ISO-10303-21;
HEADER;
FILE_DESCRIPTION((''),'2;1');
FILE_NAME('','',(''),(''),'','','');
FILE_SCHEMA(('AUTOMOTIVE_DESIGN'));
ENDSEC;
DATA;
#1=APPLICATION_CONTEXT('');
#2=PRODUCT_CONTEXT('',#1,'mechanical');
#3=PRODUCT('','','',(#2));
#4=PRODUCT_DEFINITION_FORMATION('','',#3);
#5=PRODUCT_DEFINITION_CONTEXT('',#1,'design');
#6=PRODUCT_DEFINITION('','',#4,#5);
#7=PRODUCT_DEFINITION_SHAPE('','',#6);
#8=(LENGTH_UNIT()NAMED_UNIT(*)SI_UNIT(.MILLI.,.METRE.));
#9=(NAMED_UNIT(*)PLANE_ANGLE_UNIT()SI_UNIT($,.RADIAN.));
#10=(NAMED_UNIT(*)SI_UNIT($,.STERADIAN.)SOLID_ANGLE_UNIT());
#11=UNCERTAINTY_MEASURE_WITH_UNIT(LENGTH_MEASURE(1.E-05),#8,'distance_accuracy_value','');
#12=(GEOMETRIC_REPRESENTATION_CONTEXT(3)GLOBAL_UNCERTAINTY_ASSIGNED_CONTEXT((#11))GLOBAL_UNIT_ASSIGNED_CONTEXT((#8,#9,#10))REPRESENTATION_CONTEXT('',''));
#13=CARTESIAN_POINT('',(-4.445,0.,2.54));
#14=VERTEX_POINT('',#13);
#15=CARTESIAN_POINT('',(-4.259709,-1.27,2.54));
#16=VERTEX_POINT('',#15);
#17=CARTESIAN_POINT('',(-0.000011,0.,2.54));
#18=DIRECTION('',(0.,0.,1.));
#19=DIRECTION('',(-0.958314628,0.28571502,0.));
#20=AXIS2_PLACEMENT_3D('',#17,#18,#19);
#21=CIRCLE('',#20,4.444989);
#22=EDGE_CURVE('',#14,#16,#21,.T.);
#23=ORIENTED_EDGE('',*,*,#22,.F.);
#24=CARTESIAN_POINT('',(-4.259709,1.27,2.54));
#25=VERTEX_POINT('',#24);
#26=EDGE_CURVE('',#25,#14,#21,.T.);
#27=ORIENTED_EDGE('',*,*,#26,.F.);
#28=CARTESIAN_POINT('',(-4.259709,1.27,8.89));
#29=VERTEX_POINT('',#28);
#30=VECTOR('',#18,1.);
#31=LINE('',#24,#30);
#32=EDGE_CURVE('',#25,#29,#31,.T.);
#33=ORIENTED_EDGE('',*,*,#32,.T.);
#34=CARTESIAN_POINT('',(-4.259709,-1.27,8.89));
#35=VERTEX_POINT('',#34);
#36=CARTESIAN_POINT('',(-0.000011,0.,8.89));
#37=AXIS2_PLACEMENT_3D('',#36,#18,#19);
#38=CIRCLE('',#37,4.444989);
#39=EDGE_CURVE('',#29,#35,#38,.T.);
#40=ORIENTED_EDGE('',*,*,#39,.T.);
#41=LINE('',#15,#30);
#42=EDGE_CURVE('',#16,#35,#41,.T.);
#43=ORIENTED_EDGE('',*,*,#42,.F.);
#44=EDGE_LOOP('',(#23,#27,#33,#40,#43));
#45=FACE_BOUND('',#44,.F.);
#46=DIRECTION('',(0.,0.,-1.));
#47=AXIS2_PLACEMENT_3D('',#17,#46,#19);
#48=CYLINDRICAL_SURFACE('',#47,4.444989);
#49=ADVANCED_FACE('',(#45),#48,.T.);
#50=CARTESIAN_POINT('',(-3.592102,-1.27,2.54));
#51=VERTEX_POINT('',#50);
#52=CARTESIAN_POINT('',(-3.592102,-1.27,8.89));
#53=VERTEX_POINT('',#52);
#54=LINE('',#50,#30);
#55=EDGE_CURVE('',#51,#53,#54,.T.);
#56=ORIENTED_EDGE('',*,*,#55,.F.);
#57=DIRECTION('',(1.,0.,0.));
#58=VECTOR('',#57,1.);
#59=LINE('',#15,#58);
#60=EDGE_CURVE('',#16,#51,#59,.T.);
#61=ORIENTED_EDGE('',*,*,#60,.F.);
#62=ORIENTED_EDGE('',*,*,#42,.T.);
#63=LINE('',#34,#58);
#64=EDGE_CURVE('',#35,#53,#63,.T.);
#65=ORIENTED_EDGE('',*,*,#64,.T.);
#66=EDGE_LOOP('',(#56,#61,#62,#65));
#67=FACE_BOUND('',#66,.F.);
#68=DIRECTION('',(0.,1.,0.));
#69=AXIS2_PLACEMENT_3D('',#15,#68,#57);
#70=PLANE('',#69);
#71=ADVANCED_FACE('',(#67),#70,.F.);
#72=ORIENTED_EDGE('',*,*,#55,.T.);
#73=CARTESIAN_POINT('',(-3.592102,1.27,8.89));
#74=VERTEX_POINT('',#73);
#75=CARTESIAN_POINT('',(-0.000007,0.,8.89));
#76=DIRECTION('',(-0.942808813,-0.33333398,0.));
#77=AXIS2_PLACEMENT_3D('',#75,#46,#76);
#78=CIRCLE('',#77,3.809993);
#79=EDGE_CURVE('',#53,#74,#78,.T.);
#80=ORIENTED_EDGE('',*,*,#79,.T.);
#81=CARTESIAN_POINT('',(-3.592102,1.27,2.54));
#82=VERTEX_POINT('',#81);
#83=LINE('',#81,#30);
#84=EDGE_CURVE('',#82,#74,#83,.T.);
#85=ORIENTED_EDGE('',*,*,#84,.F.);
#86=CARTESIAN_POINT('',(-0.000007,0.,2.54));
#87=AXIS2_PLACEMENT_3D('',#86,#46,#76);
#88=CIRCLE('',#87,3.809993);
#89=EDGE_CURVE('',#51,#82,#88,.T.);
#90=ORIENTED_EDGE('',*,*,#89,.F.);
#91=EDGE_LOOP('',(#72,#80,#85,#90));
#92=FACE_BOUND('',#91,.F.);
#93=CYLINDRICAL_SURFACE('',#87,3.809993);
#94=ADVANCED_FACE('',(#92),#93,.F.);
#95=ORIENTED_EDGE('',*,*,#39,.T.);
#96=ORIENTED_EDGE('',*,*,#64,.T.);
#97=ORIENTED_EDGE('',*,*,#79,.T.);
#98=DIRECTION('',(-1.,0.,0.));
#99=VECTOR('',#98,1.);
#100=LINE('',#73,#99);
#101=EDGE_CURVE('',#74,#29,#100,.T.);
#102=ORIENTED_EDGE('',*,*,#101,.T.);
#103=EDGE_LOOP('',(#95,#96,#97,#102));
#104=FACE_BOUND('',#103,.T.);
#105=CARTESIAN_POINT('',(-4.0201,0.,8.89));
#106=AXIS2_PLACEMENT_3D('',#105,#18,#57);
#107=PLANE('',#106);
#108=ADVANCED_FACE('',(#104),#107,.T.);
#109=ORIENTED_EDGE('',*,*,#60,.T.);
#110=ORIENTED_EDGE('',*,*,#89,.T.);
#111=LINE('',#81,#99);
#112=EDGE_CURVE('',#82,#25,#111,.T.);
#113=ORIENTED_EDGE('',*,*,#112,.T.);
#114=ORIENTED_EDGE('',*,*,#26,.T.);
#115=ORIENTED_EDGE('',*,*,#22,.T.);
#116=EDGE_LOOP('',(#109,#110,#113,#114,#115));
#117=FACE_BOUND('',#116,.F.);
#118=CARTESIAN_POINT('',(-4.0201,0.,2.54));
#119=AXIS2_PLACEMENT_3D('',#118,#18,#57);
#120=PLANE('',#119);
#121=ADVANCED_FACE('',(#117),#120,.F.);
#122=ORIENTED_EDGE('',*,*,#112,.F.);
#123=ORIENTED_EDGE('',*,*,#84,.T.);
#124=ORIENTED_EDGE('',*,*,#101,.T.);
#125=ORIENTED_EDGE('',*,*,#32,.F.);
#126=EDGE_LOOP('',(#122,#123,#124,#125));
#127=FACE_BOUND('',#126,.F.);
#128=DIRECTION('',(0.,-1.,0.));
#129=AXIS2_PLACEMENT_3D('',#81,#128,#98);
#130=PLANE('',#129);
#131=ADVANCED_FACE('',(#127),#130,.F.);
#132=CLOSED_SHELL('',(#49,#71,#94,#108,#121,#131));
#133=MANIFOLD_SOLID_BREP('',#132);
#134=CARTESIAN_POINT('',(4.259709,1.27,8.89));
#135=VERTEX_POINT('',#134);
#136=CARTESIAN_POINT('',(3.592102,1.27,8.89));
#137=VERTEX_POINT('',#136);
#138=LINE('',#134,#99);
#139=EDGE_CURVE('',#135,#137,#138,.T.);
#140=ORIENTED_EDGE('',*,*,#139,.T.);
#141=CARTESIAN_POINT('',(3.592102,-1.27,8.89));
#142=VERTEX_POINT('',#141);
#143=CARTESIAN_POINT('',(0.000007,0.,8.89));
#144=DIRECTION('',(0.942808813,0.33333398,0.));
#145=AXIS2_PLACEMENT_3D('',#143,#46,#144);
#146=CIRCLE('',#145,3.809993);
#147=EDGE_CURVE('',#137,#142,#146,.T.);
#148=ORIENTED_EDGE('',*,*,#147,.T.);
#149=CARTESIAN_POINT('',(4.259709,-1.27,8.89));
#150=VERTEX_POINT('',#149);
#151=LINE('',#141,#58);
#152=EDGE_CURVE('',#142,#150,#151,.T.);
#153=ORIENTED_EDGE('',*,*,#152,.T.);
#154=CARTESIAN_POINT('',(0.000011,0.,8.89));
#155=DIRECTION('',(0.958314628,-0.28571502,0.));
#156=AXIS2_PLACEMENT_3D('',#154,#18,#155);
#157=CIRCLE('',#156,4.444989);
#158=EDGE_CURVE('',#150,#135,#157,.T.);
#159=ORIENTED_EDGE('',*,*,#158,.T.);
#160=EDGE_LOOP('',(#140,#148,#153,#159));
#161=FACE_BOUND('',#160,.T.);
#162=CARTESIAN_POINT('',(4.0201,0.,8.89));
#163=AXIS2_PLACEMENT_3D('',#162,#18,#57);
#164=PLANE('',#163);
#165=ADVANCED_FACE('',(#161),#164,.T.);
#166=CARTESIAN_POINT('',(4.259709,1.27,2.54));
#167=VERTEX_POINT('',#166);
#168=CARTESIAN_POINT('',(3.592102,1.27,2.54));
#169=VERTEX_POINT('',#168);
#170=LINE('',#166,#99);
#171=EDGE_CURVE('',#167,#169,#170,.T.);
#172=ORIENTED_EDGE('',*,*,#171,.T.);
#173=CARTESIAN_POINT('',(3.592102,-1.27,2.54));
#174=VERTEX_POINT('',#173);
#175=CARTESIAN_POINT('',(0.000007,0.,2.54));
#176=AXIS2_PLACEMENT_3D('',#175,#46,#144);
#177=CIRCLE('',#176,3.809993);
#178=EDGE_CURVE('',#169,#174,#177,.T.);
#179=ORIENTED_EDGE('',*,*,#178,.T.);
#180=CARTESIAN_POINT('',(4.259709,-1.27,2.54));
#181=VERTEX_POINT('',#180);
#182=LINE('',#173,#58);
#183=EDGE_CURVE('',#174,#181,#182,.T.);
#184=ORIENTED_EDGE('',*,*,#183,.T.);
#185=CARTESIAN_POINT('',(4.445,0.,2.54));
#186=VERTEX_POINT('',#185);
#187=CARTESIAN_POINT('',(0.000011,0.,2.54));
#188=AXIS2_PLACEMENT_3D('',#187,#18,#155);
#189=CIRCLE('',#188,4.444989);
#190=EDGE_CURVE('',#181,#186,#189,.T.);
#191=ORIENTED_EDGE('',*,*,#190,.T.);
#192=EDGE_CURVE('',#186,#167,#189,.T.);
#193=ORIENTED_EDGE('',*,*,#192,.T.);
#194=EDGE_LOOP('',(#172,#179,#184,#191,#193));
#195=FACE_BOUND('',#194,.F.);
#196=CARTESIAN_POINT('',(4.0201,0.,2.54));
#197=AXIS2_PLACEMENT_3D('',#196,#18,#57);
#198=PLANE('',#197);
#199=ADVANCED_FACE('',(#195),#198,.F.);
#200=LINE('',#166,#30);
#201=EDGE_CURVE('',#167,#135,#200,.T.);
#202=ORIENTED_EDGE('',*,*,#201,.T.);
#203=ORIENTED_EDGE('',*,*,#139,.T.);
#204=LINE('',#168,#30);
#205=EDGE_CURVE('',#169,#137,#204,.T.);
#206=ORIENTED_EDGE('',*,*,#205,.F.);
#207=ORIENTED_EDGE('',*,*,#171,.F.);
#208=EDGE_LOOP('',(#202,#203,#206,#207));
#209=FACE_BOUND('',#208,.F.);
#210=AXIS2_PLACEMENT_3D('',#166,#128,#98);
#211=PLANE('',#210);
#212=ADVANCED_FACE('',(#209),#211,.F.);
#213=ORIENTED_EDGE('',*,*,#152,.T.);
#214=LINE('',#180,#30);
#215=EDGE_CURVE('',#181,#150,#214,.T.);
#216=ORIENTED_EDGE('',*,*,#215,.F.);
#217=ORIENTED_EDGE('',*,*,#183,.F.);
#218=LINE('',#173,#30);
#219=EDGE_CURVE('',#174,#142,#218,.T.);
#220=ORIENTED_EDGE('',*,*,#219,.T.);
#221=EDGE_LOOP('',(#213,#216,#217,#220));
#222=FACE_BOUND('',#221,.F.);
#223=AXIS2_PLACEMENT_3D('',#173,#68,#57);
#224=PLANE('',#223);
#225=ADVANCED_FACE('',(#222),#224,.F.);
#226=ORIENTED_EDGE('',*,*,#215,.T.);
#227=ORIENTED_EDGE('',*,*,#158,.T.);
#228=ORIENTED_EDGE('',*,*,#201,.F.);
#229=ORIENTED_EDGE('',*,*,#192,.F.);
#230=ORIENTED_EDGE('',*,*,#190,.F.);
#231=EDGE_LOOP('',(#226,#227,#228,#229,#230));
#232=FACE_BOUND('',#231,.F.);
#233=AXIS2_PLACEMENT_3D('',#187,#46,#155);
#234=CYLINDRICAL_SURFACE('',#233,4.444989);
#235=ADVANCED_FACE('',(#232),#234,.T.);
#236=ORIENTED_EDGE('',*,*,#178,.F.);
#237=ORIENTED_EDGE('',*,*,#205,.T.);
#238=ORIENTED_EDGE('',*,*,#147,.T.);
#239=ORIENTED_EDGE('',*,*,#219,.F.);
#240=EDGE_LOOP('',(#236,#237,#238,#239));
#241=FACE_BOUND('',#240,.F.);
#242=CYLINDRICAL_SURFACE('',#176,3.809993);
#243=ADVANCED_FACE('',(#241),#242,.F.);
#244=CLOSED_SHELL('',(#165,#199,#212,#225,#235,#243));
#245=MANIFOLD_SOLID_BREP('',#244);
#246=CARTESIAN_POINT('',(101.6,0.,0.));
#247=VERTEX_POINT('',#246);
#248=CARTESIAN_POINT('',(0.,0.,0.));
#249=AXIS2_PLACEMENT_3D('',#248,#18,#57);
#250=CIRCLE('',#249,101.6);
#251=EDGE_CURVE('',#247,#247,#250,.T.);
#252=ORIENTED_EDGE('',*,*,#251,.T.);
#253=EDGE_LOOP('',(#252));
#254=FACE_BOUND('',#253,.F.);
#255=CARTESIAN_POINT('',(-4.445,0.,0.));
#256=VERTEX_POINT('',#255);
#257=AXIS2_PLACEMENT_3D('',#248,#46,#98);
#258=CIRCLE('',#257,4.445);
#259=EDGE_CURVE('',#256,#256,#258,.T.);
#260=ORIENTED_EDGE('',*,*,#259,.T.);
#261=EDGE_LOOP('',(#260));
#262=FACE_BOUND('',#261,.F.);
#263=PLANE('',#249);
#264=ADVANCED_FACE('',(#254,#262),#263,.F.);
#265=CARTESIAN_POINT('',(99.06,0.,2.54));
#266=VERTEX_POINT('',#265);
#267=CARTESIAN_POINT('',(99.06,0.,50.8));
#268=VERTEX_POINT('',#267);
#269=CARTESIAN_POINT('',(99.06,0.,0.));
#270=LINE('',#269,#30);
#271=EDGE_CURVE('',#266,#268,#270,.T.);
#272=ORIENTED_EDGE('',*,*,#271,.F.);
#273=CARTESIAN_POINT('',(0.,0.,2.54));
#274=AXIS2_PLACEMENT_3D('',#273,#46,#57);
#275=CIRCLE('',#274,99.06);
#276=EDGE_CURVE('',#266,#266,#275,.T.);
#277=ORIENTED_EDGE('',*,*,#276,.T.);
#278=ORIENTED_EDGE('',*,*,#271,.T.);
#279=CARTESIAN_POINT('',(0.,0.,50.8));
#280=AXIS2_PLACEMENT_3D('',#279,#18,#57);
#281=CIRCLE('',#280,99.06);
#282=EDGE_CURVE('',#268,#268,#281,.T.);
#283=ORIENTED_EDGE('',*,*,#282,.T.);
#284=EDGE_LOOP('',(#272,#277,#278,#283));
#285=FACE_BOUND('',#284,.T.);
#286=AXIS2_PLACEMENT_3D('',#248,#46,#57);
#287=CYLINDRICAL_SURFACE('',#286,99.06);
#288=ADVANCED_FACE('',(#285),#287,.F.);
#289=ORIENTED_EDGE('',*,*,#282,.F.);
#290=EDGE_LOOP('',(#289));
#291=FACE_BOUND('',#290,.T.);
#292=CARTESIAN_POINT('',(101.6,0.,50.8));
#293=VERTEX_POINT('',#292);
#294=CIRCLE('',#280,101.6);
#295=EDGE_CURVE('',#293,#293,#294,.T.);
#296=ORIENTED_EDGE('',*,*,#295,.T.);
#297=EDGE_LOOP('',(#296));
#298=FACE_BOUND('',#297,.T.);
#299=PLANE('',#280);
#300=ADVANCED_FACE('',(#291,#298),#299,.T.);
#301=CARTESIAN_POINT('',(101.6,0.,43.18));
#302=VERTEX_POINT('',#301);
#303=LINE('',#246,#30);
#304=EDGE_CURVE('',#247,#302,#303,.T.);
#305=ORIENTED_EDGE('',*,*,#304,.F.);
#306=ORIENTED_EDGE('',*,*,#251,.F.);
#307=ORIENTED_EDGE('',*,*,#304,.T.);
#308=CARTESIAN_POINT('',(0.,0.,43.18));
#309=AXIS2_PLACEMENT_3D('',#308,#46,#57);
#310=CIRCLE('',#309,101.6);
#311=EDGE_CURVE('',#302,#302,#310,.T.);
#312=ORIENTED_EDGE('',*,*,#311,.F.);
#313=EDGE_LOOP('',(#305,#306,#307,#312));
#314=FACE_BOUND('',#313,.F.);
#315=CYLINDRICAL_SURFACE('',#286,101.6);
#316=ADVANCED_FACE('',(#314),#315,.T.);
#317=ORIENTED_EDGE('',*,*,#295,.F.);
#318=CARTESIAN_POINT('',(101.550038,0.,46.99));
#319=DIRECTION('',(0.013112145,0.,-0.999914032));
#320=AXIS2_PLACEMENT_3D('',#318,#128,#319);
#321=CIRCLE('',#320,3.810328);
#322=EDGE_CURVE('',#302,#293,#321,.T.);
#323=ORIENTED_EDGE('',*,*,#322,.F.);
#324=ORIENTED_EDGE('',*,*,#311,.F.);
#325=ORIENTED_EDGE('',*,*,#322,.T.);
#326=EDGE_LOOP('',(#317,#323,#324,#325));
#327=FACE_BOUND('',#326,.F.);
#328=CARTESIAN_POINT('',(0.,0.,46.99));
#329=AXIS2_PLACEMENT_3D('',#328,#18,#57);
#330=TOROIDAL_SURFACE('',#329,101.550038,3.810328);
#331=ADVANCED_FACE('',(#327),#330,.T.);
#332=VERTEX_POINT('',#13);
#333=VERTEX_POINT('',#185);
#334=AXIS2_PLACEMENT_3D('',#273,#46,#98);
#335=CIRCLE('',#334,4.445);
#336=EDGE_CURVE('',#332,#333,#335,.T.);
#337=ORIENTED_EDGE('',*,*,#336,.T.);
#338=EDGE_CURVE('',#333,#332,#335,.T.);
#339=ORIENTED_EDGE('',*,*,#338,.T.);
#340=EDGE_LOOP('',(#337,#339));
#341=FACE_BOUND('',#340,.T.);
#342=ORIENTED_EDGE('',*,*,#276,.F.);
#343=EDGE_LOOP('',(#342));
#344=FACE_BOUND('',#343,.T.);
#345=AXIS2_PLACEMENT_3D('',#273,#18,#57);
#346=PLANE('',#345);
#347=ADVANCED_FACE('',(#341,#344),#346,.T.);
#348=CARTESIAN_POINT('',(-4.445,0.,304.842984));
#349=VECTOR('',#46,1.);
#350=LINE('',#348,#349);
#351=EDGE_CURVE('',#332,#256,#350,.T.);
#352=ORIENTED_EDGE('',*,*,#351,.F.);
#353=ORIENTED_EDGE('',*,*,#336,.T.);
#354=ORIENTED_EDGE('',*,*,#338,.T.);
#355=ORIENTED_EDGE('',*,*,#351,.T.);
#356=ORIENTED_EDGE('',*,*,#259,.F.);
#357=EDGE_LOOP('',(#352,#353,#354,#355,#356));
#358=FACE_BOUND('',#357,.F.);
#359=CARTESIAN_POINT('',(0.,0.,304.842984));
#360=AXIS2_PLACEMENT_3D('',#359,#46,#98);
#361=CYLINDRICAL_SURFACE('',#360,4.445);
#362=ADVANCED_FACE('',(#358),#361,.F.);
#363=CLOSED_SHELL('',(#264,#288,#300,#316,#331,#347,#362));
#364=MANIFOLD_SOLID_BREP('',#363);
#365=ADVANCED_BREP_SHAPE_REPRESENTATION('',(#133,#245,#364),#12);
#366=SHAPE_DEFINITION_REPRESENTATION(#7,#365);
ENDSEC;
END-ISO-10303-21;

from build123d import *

# Parameters (mm, degrees)
F0_R     = 101.6
F1_DEPTH = 50.8
F2_T     = -2.54
F6_D     = 8.89
F8_DEPTH = 6.35


with BuildPart() as f1:
    # F0 (on Top) → F1 (new body)
    with BuildSketch(Plane.XY):
        Circle(F0_R)
    extrude(amount=F1_DEPTH)

    # F2
    f2_openings = [f1.faces().sort_by_distance(p)[0] for p in [
        (0, 0, 50.8),
    ]]
    offset(amount=F2_T, openings=f2_openings)

    # F3 (on Front) → F4 (revolve)
    with BuildSketch(Plane.XZ):
        with BuildLine():
            Line((101.6, 50.8), (101.6, 43.18))
            ThreePointArc((101.6, 43.18), (105.360366, 46.99), (101.6, 50.8))
        make_face()
    revolve(axis=Axis((0, 0, 25.40097), (0, 0, -1)))

    # F6 (through all)
    with Locations(Plane.XY.offset(2.54)):
        with Locations((0, 0)):
            Hole(F6_D / 2)

    # F7 (on face) → F8 (join)
    with BuildSketch(Plane.XY.offset(2.54)):
        with BuildLine():
            Line((-3.592102, 1.27), (-4.259709, 1.27))
            ThreePointArc((-4.259709, 1.27), (-4.445, 0), (-4.259709, -1.27))
            Line((-4.259709, -1.27), (-3.592102, -1.27))
            ThreePointArc((-3.592102, -1.27), (-3.81, 0), (-3.592102, 1.27))
        make_face()
        with BuildLine():
            Line((3.592102, -1.27), (4.259709, -1.27))
            ThreePointArc((4.259709, -1.27), (4.445, 0), (4.259709, 1.27))
            Line((4.259709, 1.27), (3.592102, 1.27))
            ThreePointArc((3.592102, 1.27), (3.81, 0), (3.592102, -1.27))
        make_face()
    extrude(amount=F8_DEPTH)


solid = f1.part
